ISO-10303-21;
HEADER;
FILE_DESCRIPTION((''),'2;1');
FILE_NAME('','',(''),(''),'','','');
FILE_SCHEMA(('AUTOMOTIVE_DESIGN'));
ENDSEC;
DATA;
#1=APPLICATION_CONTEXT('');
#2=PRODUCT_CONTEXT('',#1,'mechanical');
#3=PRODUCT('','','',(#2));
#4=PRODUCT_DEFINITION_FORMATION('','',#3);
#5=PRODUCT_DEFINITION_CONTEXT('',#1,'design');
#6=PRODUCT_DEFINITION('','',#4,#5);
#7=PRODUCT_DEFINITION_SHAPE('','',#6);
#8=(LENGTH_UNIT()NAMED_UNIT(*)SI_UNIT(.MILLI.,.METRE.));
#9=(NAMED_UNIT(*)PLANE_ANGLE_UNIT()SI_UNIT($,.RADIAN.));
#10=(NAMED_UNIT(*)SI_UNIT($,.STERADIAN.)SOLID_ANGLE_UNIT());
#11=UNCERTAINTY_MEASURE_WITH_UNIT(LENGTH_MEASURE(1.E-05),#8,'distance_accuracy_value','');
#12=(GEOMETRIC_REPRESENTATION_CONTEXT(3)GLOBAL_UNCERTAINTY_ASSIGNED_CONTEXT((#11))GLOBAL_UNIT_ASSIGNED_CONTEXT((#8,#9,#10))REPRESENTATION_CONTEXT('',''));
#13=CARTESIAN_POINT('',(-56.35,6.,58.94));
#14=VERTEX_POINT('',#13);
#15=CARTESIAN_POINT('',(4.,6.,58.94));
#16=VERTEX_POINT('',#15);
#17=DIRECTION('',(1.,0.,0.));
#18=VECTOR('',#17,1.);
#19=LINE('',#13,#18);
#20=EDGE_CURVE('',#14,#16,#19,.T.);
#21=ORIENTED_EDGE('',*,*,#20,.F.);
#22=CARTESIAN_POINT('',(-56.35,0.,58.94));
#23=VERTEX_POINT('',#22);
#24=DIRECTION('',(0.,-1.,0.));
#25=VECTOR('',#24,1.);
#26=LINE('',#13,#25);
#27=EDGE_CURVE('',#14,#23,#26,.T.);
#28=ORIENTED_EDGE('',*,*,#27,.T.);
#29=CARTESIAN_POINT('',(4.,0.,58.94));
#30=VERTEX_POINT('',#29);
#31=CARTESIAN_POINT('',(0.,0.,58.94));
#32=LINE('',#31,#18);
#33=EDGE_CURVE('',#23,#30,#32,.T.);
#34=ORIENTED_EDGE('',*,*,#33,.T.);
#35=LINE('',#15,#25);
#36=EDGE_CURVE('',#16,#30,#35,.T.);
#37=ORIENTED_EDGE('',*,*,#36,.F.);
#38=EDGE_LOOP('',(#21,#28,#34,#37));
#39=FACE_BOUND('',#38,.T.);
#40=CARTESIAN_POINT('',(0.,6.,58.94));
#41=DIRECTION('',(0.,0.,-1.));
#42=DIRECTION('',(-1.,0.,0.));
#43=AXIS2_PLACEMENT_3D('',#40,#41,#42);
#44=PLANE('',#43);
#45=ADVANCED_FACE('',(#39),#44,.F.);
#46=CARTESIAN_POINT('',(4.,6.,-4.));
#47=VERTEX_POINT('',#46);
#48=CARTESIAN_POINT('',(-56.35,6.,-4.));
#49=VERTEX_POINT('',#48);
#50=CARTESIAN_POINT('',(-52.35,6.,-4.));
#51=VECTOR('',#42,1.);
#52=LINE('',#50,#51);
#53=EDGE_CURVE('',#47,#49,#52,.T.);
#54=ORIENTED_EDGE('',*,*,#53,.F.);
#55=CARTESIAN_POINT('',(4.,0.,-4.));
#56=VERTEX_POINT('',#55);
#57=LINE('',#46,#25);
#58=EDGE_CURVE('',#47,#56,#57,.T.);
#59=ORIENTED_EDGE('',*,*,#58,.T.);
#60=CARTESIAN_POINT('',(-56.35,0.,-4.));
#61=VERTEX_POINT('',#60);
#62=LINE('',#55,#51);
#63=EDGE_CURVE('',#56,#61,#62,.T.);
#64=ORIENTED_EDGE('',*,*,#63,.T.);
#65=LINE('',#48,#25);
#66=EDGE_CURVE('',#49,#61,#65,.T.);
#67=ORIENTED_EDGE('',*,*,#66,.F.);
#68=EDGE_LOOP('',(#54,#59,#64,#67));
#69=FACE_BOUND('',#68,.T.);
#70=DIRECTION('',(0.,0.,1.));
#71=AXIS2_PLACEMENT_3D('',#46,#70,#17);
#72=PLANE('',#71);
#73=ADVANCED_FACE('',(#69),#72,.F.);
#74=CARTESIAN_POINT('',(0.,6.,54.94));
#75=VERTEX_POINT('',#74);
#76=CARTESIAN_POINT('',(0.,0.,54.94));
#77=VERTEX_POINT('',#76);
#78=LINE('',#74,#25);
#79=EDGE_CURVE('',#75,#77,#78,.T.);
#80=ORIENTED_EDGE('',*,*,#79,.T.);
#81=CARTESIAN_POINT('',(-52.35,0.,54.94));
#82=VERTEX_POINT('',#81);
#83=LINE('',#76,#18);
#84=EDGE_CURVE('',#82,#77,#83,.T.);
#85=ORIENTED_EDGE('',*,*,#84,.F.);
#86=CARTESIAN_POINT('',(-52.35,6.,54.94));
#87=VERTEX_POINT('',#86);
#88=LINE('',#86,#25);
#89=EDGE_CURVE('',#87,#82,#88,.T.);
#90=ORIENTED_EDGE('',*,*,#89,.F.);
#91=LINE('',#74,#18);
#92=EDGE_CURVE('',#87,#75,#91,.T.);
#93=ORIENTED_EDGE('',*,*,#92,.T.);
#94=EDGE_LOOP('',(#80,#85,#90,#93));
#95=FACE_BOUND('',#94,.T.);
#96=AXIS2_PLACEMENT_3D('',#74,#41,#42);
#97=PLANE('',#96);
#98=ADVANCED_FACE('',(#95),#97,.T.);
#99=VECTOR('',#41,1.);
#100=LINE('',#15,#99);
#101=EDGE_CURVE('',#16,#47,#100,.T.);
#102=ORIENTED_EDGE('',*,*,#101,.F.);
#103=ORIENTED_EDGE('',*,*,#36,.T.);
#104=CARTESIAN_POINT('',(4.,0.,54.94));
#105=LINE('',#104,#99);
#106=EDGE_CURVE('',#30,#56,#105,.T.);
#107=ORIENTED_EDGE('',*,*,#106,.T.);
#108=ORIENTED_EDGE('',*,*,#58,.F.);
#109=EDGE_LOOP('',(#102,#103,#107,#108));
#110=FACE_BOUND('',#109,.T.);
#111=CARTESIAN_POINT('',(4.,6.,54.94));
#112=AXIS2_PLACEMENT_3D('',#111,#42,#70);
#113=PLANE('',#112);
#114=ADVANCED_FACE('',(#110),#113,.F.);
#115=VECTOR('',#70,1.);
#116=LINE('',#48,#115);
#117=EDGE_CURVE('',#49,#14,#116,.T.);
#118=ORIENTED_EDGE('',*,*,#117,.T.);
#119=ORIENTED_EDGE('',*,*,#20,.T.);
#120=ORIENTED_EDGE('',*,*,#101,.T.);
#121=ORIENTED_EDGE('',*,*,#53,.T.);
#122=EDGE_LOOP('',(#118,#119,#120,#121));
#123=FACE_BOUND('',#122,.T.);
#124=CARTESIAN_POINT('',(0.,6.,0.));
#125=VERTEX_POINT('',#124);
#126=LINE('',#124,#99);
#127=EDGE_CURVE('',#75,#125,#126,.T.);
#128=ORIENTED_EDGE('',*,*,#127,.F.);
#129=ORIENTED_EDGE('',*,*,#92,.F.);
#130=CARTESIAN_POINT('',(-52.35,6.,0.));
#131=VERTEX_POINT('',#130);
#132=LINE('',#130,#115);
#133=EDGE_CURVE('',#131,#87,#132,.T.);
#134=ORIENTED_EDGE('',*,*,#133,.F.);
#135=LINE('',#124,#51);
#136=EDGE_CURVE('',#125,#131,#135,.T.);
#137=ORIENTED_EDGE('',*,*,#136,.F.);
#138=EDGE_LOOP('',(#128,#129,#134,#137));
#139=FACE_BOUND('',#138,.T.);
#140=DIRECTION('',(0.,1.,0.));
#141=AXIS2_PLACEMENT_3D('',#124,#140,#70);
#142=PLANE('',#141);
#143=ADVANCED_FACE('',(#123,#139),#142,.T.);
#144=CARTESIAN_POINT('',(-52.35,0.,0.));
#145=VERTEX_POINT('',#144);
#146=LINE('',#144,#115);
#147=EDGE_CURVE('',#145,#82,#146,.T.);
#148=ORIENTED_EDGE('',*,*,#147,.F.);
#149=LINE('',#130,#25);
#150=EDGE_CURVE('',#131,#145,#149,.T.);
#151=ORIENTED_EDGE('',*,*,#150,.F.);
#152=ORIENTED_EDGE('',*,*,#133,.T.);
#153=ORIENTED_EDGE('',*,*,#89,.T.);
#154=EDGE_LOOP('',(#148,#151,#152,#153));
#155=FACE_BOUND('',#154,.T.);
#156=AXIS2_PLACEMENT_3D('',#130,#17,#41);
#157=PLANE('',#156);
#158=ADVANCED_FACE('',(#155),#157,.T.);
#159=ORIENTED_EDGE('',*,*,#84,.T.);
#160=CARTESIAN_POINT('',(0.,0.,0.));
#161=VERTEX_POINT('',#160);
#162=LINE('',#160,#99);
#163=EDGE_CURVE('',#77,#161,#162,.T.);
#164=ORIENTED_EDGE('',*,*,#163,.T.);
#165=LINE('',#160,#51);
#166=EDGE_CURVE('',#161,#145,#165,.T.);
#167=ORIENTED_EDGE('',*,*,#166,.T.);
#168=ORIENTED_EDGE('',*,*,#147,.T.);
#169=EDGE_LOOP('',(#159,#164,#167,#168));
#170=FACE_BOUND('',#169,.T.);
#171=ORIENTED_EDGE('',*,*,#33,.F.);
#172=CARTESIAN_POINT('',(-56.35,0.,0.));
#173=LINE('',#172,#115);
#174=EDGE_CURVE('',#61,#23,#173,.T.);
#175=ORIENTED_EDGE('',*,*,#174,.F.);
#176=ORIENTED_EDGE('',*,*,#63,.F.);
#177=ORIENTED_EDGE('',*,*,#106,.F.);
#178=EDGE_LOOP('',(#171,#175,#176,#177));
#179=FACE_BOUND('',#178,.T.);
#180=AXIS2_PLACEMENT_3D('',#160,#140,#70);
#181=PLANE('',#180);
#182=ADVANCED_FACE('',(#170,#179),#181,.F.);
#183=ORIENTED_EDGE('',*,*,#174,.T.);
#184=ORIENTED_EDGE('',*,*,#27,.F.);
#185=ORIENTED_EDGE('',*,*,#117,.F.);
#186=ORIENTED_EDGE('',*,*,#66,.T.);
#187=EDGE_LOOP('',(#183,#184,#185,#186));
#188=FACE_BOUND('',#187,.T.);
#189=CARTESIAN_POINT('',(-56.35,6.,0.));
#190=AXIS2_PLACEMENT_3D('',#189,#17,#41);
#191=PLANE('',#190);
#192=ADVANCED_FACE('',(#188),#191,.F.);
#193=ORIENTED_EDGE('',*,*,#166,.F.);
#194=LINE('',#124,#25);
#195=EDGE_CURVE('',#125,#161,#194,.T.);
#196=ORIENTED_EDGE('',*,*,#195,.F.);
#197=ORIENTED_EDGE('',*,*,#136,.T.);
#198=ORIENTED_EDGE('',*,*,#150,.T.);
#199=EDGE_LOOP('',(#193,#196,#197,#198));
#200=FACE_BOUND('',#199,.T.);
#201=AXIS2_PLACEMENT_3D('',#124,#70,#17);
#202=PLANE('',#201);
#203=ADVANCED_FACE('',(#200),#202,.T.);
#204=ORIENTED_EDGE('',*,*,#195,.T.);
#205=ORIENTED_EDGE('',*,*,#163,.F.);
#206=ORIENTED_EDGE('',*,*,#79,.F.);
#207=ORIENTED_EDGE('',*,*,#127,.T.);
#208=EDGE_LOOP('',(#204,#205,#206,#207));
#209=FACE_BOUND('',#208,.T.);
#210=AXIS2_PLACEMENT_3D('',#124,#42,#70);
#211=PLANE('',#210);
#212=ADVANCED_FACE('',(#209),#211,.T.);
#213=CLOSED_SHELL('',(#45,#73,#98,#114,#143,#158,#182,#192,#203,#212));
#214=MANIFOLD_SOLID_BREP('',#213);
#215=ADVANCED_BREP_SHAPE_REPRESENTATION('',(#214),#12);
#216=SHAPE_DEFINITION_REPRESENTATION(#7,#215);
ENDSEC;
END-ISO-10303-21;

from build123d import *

# Parameters (mm, degrees)
SKETCH1_W           = 52.35
SKETCH1_H           = 54.94
BOSS_EXTRUDE1_DEPTH = 6


with BuildPart() as part:
    # Sketch1 → Boss-Extrude1 (new body)
    with BuildSketch(Plane(origin=(0, 0, 0), x_dir=(1, 0, 0), z_dir=(0, 1, 0))):
        Polygon((4, -54.94), (4, 4), (-52.35, 4), (-56.35, 4), (-56.35, 0), (-56.35, -58.94), (0, -58.94), (4, -58.94), align=None)
        with Locations((-26.175, -27.47)):
            Rectangle(SKETCH1_W, SKETCH1_H, mode=Mode.SUBTRACT)
    extrude(amount=BOSS_EXTRUDE1_DEPTH)


solid = part.part
